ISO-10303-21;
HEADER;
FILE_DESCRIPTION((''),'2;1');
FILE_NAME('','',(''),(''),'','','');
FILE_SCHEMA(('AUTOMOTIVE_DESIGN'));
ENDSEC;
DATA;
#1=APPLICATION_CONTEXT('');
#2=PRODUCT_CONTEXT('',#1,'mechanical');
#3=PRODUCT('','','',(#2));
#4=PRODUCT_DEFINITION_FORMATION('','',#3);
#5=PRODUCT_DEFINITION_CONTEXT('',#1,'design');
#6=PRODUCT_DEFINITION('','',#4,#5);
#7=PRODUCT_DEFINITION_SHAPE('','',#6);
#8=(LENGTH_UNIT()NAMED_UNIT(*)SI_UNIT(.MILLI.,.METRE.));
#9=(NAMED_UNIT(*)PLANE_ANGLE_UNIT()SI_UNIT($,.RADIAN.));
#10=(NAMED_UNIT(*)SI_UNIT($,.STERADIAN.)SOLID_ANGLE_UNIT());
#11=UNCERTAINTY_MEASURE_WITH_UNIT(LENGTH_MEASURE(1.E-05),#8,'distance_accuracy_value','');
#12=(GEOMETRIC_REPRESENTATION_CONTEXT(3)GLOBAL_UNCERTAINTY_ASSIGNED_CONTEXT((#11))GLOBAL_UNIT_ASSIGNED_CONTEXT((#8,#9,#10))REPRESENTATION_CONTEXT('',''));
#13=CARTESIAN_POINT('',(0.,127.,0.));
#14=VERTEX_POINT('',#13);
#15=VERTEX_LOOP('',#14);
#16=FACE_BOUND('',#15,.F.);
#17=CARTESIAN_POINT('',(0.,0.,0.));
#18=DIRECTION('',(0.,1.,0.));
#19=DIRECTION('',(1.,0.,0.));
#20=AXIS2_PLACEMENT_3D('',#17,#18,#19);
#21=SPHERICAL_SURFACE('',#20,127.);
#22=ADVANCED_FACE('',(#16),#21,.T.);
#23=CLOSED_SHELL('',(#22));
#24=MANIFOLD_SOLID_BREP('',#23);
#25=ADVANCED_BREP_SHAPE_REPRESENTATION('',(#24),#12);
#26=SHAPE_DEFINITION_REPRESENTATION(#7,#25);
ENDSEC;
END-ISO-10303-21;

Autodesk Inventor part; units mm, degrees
ref_plane "YZ Plane" through (0, 0, 0) normal (1, 0, 0) x (0, 1, 0)
ref_plane "XZ Plane" through (0, 0, 0) normal (0, 1, 0) x (-1, 0, 0)
ref_plane "XY Plane" through (0, 0, 0) normal (0, 0, 1) x (1, 0, 0)
sketch "Sketch1" plane through (0, 0, 0) normal (0, 0, 1) x (1, 0, 0)
  arc A0 (0, -127) -> (0, 127) centre (0, 0) ccw
  line L0 (0, 127) -> (0, -127)
  dimension "d0" = 254
revolve "Revolution1" add sketch "Sketch1" angle 360 about axis through (0, 127, 0) along (0, -1, 0)
properties part number "Boulder"
